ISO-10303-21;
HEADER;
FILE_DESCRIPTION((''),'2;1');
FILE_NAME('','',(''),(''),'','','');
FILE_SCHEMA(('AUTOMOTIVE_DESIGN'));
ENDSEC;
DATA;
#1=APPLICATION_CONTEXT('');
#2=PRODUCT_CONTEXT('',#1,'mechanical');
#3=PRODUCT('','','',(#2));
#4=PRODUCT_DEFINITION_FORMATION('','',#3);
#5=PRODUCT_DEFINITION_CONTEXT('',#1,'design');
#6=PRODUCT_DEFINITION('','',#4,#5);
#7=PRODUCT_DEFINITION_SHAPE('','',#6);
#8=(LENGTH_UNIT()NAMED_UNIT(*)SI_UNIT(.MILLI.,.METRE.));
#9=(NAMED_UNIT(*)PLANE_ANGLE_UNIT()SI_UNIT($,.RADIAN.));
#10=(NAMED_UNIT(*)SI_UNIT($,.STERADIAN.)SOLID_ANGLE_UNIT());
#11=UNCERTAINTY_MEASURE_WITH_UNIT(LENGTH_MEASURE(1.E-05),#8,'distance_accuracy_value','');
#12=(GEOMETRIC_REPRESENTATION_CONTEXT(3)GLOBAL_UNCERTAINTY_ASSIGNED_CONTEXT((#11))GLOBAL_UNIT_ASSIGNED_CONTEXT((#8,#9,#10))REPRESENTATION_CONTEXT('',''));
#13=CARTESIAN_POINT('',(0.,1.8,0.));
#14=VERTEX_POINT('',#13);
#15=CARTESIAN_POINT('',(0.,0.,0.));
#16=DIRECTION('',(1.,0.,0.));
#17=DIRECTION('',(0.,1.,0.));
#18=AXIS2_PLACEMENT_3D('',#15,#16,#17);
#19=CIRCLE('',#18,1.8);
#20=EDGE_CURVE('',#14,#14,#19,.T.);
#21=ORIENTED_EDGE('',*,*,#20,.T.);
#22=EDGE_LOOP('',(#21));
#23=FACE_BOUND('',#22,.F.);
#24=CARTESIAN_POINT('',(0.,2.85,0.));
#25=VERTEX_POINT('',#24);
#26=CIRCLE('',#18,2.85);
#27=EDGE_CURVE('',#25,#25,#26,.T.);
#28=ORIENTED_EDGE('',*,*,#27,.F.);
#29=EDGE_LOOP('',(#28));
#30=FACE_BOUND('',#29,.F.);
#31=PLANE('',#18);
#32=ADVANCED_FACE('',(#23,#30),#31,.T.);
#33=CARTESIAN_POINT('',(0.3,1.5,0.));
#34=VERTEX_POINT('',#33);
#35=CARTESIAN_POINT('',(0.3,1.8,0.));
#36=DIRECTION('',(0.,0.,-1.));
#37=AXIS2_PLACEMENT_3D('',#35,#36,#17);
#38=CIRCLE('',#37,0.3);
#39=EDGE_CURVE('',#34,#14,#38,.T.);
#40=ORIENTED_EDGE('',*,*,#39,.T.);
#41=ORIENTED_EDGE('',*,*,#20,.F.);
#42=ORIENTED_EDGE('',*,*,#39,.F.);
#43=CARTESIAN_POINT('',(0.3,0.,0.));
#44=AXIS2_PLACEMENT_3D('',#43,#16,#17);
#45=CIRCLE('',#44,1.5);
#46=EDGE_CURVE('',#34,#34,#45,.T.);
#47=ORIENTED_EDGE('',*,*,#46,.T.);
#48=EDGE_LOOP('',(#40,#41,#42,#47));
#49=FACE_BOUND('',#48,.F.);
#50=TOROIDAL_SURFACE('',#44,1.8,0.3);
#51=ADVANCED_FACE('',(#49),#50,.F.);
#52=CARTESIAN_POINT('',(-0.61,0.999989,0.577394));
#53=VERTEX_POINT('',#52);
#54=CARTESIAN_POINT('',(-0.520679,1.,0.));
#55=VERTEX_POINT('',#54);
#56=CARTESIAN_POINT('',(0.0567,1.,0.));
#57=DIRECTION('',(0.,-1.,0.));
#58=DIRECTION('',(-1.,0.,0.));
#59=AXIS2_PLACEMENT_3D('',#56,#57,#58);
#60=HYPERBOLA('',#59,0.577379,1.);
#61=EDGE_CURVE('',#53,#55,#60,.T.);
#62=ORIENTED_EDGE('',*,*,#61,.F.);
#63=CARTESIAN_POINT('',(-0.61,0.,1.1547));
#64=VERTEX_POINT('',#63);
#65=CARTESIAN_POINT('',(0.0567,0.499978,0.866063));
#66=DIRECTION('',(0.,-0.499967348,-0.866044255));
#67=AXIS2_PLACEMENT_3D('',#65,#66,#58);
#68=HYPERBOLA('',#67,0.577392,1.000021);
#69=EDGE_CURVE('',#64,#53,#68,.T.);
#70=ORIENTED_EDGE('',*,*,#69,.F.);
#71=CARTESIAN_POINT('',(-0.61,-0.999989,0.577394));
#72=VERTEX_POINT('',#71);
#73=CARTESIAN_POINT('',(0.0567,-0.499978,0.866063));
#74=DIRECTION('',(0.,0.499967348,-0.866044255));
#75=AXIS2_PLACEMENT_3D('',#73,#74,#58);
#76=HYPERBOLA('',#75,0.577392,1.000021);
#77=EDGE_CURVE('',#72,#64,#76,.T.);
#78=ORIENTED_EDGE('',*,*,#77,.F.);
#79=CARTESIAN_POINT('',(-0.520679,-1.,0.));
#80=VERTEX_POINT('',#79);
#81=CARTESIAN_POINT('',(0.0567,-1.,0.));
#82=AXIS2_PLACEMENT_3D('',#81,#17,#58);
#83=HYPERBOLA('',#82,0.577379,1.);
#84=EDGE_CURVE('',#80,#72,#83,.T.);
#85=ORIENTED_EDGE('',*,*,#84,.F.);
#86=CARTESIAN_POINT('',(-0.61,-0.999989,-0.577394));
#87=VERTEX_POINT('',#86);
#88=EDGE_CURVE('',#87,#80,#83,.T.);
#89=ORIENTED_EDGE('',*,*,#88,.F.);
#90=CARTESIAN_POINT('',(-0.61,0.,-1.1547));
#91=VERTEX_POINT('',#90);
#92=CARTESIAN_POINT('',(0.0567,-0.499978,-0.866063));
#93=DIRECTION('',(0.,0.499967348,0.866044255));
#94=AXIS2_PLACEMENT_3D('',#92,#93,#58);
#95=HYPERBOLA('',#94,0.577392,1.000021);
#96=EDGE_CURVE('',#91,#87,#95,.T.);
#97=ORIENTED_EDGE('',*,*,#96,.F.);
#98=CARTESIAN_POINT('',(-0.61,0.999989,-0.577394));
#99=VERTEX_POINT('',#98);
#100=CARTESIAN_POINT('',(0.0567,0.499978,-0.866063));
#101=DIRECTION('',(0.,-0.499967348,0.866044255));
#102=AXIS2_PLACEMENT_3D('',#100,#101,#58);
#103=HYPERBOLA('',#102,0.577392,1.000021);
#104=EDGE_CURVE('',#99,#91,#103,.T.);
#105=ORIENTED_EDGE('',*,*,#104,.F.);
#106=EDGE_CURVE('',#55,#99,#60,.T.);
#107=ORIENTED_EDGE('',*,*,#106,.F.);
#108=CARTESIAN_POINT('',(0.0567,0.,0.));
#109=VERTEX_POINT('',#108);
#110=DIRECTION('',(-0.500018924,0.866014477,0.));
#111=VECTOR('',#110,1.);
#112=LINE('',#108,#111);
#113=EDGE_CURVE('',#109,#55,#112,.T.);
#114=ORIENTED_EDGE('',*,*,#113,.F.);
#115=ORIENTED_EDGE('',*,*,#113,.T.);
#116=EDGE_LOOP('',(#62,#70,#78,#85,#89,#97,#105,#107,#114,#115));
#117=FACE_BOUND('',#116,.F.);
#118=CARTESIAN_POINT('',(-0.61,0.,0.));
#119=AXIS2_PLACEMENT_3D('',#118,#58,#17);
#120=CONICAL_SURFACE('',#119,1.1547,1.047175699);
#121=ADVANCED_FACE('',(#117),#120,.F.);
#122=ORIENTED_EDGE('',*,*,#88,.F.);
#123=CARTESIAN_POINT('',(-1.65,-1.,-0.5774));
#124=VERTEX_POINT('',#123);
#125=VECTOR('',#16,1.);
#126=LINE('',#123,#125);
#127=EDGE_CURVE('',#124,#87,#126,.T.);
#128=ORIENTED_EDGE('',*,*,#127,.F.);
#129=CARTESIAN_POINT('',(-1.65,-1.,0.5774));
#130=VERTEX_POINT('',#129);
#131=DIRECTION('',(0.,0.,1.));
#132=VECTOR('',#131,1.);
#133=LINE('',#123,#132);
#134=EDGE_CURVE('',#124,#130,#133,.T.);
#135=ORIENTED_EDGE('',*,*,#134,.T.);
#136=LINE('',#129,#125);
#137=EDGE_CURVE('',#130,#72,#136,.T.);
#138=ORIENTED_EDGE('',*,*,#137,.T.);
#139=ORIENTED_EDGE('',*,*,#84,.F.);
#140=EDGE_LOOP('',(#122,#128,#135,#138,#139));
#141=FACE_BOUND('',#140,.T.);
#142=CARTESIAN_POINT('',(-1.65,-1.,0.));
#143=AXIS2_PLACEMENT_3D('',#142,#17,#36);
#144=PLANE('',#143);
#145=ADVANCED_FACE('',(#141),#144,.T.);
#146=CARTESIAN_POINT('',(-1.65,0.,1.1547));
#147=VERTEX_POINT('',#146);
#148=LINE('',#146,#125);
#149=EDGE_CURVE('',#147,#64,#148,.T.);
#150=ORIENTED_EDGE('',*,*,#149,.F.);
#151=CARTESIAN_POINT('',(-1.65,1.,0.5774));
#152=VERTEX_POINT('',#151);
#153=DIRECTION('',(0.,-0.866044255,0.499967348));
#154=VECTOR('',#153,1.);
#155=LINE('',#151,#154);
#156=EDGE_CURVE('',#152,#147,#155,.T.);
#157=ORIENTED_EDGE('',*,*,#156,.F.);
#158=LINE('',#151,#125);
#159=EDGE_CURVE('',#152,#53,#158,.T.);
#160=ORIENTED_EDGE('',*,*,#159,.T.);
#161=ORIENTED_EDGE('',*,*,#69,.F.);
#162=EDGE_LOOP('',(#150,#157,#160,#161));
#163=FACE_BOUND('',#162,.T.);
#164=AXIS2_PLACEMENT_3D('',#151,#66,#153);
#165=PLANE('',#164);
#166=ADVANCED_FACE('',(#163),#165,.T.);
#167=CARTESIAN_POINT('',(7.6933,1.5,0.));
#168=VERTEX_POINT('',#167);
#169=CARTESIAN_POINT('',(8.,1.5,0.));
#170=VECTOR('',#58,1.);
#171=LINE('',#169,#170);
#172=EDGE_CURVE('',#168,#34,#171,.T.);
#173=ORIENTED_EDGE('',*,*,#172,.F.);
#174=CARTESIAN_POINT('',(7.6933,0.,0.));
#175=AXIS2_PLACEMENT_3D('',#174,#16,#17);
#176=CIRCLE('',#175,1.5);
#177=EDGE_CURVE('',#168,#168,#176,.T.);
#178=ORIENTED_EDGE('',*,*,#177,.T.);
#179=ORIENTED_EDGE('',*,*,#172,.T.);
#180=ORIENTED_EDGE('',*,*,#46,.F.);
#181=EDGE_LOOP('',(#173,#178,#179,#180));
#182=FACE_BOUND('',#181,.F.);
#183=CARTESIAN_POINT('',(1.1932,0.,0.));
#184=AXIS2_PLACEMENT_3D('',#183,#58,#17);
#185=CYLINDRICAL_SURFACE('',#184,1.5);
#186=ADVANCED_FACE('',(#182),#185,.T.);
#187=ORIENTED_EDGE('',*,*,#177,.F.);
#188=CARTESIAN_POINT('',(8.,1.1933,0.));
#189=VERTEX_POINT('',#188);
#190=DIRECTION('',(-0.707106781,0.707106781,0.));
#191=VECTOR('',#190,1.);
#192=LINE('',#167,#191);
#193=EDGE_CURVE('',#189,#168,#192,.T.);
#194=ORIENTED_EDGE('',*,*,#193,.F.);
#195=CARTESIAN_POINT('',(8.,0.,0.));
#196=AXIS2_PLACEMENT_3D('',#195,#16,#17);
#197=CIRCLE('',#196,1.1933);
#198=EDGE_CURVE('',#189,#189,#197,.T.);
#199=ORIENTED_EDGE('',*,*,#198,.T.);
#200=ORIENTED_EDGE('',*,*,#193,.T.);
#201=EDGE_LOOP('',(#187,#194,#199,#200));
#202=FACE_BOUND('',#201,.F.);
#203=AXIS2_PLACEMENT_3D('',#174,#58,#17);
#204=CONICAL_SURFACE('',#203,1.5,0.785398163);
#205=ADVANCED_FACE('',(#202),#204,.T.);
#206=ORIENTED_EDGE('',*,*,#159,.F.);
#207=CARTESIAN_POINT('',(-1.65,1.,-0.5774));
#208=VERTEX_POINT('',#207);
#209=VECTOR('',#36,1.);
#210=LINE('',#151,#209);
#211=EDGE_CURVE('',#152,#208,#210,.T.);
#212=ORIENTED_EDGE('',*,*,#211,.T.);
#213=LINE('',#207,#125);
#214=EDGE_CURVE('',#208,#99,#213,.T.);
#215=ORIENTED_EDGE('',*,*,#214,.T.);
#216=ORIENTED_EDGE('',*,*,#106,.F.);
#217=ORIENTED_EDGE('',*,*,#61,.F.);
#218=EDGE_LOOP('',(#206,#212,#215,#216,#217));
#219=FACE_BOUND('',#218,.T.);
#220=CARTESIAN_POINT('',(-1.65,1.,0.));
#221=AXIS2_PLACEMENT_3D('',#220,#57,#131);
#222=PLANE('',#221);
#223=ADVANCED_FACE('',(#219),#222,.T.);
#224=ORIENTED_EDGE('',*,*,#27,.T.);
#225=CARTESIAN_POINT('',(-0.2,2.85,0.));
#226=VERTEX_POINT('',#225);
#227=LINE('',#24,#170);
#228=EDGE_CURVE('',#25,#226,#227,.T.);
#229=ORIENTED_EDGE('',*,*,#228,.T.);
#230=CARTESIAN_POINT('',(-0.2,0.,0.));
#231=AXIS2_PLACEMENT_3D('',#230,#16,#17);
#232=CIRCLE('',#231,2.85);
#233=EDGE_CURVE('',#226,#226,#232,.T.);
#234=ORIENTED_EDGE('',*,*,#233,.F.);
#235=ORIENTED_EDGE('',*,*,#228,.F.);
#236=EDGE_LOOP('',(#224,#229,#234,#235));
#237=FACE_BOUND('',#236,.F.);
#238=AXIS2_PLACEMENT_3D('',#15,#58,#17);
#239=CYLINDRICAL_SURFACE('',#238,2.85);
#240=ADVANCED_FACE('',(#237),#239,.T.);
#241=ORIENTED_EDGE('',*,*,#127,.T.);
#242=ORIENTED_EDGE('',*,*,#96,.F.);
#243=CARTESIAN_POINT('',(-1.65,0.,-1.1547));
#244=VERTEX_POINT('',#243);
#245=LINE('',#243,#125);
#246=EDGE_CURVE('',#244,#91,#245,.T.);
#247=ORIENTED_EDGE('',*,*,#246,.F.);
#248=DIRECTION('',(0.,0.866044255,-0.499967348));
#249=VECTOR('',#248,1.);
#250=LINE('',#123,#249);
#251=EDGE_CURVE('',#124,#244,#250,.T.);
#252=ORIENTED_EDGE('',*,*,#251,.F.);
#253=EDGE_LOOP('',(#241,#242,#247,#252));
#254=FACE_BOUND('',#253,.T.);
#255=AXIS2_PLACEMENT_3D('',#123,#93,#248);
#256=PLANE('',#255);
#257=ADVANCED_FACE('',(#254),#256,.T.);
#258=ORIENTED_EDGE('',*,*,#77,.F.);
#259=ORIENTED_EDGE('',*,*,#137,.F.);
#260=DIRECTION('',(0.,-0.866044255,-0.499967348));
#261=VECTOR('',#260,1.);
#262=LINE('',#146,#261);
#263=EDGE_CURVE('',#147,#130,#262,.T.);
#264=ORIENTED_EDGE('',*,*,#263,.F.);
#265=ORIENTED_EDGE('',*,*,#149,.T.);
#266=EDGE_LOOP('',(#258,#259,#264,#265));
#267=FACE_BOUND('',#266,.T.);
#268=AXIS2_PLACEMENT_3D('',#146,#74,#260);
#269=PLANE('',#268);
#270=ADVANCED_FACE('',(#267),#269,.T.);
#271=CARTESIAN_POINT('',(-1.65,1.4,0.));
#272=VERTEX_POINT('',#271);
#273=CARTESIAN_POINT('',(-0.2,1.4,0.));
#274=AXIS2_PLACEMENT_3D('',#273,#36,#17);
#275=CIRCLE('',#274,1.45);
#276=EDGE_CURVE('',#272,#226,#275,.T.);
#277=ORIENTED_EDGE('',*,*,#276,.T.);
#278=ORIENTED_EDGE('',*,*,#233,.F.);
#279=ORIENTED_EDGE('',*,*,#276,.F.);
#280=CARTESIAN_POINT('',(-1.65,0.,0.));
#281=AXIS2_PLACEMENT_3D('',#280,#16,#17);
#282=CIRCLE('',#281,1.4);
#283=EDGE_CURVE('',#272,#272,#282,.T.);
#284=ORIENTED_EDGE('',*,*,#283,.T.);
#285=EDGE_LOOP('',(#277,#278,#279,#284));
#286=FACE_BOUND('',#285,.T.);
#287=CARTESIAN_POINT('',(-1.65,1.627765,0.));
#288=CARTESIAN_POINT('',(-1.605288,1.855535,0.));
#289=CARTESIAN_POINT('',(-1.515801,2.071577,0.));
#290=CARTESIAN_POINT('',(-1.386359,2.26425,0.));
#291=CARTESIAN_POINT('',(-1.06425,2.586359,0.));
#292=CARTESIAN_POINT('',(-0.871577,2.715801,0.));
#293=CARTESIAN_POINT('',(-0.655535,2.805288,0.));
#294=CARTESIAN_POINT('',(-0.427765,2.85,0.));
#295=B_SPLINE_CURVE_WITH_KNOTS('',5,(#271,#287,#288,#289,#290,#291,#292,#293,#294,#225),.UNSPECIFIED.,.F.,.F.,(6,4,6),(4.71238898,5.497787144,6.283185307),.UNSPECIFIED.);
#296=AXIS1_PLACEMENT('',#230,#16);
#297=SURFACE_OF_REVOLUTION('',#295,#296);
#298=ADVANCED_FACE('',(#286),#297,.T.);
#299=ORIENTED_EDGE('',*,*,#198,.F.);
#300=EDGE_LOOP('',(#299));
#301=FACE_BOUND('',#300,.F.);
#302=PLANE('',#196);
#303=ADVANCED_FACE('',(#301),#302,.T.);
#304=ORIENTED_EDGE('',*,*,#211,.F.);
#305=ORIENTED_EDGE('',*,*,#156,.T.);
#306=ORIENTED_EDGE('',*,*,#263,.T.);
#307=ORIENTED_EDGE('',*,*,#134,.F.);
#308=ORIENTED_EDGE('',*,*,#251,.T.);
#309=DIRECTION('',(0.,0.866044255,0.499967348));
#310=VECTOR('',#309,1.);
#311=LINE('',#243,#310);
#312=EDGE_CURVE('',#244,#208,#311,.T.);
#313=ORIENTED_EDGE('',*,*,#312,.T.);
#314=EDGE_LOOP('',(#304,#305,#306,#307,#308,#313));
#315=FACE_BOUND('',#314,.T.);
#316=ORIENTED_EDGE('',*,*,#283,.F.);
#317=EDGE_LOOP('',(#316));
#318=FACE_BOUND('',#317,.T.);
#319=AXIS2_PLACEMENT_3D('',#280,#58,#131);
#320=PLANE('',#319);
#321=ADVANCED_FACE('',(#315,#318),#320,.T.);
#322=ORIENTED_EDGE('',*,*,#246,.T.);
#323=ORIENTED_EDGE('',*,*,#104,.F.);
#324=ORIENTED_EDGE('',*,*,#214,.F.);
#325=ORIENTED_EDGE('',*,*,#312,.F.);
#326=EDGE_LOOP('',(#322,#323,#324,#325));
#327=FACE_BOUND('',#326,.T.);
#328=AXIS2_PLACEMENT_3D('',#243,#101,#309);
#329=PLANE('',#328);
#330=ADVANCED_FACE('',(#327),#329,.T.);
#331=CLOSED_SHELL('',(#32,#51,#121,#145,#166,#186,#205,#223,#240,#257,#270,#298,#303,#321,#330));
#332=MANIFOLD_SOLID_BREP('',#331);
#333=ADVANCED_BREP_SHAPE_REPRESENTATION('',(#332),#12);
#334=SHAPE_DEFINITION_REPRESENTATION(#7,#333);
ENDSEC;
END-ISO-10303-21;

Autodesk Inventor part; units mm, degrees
ref_plane "YZ Plane" through (0, 0, 0) normal (1, 0, 0) x (0, 1, 0)
ref_plane "XZ Plane" through (0, 0, 0) normal (0, 1, 0) x (-1, 0, 0)
sketch "Sketch1" plane through (0, 0, 0) normal (0, 0, 1) x (1, 0, 0)
  line L0 (0.0567, 0) -> (8, 0)
  line L1 (8, 0) -> (8, 1.5)
  line L2 (8, 1.5) -> (1.5, 1.5)
  line L3 (1.5, 1.5) -> (1.1932, 1.5)
  line L4 (1.1932, 1.5) -> (0, 1.5)
  line L5 (0, 1.5) -> (0, 2.85)
  line L6 (0, 2.85) -> (-1.65, 2.85)
  line L7 (-1.65, 2.85) -> (-1.65, 1.1547)
  line L8 (-1.65, 1.1547) -> (-0.61, 1.1547)
  line L9 (-0.61, 1.1547) -> (0.0567, 0)
  line L10 (-3.58, 0) -> (9.93, 0) projected
  line L11 (0, -0.57) -> (0, 3.42) projected
  line L12 (1.5, 1.5) -> (0, 1.5) construction
  dimension "d1" = 6.5
  dimension "d2" = 0.3068
  dimension "d3" = 1.65
  dimension "d4" = 1.04
  dimension "d5" = 60
  dimension "d6" = 3
  dimension "d7" = 3
  dimension "d8" = 2.3094
  dimension "d9" = 5.7
  dimension "d26" = 8
revolve "Body" add sketch "Sketch1" angle 360 about axis through (0.0567, 0, 0) along (1, 0, 0) contours L9 L11 L4 L3 L2 L1 L0 | L9 L8 L7 L6 L5 L11
sketch "Sketch2" plane through (-1.65, 0, 0) normal (-1, 0, 0) x (0, 0, 1)
  circle A0 centre (0, 0) radius 1.1547 projected
  line L0 (0, -3.99) -> (0, 3.99) projected
  line L1 (-3.99, 0) -> (3.99, 0) projected
  line L2 (1.1547, 0) -> (0.5774, -1)
  line L3 (0.5774, -1) -> (-0.5774, -1)
  line L4 (-0.5774, -1) -> (-1.1547, 0)
  line L5 (-1.1547, 0) -> (-0.5774, 1)
  line L6 (-0.5774, 1) -> (0.5774, 1)
  line L7 (0.5774, 1) -> (1.1547, 0)
extrude "Slot" add sketch "Sketch2" against normal up to next contours L7 A0 | A0 L2 | L6 L0 A0 | A0 L0 L3 | L0 L6 A0 | A0 L3 L0 | L4 A0 | A0 L5
fillet "Fillet1" radius 1.45 1 edges at (-1.65, -2.85, 0)
thread "Thread" size "M3x0.5" class "6g" standard "ISO Metric profile" length 6.5
chamfer "Chamfer1" distance 0.3067 distance2 0.3067 1 edges at (8, -1.5, 0) measured on face at (8, 0.5539, 0.4443)
ref_plane "Work Plane1" through (29, 0, 0) normal (0, -1, 0) x (1, 0, 0)
fillet "Fillet2" radius 0.3 1 edges at (0, -1.5, 0)
equation "\"d1\" = GEL"
equation "\"d3\" = KOH"
equation "\"d4\" = INTI"
equation "\"d6\" = GD"
equation "\"d7\" = BDM"
equation "\"d8\" = 1.1547 * SW"
equation "\"d9\" = KOD"
equation "\"d26\" = NLG"
equation "\"d30\" = R"
equation "\"d17\" = RR"
equation "\"d13\" = GEL"
equation "\"d15\" = -0.5 * SPD + 0.5 * GD"
equation "\"d16\" = GUL"
equation "\"GD\" = NND"
equation "\"NLG\" = 8"
equation "\"GEL\" = 6.5"
equation "\"KOD\" = 5.7"
equation "\"KOH\" = 1.65"
equation "\"INTI\" = 1.04"
equation "\"GAL\" = 0.61345 * PTC"
equation "\"GUL\" = 0.61345 * PTC"
equation "\"BDM\" = NND"
equation "\"SW\" = 2"
equation "\"RR\" = 1.45"
equation "\"SPD\" = NND - 1.2269 * PTC"
equation "\"R\" = 0.3"
equation "\"TOA\" = 30deg"
equation "\"GD1\" = THREADDIA - 1.2269 * PTC"
equation "\"THREADDIA\" = 3"
equation "\"PTC\" = 0.5"
equation "\"NND\" = 3"
equation "\"KOH1\" = 0.2"
equation "\"E0\" = 2.303"
properties part number "ISO 7380-1 - M3 x 8" material "Steel"
